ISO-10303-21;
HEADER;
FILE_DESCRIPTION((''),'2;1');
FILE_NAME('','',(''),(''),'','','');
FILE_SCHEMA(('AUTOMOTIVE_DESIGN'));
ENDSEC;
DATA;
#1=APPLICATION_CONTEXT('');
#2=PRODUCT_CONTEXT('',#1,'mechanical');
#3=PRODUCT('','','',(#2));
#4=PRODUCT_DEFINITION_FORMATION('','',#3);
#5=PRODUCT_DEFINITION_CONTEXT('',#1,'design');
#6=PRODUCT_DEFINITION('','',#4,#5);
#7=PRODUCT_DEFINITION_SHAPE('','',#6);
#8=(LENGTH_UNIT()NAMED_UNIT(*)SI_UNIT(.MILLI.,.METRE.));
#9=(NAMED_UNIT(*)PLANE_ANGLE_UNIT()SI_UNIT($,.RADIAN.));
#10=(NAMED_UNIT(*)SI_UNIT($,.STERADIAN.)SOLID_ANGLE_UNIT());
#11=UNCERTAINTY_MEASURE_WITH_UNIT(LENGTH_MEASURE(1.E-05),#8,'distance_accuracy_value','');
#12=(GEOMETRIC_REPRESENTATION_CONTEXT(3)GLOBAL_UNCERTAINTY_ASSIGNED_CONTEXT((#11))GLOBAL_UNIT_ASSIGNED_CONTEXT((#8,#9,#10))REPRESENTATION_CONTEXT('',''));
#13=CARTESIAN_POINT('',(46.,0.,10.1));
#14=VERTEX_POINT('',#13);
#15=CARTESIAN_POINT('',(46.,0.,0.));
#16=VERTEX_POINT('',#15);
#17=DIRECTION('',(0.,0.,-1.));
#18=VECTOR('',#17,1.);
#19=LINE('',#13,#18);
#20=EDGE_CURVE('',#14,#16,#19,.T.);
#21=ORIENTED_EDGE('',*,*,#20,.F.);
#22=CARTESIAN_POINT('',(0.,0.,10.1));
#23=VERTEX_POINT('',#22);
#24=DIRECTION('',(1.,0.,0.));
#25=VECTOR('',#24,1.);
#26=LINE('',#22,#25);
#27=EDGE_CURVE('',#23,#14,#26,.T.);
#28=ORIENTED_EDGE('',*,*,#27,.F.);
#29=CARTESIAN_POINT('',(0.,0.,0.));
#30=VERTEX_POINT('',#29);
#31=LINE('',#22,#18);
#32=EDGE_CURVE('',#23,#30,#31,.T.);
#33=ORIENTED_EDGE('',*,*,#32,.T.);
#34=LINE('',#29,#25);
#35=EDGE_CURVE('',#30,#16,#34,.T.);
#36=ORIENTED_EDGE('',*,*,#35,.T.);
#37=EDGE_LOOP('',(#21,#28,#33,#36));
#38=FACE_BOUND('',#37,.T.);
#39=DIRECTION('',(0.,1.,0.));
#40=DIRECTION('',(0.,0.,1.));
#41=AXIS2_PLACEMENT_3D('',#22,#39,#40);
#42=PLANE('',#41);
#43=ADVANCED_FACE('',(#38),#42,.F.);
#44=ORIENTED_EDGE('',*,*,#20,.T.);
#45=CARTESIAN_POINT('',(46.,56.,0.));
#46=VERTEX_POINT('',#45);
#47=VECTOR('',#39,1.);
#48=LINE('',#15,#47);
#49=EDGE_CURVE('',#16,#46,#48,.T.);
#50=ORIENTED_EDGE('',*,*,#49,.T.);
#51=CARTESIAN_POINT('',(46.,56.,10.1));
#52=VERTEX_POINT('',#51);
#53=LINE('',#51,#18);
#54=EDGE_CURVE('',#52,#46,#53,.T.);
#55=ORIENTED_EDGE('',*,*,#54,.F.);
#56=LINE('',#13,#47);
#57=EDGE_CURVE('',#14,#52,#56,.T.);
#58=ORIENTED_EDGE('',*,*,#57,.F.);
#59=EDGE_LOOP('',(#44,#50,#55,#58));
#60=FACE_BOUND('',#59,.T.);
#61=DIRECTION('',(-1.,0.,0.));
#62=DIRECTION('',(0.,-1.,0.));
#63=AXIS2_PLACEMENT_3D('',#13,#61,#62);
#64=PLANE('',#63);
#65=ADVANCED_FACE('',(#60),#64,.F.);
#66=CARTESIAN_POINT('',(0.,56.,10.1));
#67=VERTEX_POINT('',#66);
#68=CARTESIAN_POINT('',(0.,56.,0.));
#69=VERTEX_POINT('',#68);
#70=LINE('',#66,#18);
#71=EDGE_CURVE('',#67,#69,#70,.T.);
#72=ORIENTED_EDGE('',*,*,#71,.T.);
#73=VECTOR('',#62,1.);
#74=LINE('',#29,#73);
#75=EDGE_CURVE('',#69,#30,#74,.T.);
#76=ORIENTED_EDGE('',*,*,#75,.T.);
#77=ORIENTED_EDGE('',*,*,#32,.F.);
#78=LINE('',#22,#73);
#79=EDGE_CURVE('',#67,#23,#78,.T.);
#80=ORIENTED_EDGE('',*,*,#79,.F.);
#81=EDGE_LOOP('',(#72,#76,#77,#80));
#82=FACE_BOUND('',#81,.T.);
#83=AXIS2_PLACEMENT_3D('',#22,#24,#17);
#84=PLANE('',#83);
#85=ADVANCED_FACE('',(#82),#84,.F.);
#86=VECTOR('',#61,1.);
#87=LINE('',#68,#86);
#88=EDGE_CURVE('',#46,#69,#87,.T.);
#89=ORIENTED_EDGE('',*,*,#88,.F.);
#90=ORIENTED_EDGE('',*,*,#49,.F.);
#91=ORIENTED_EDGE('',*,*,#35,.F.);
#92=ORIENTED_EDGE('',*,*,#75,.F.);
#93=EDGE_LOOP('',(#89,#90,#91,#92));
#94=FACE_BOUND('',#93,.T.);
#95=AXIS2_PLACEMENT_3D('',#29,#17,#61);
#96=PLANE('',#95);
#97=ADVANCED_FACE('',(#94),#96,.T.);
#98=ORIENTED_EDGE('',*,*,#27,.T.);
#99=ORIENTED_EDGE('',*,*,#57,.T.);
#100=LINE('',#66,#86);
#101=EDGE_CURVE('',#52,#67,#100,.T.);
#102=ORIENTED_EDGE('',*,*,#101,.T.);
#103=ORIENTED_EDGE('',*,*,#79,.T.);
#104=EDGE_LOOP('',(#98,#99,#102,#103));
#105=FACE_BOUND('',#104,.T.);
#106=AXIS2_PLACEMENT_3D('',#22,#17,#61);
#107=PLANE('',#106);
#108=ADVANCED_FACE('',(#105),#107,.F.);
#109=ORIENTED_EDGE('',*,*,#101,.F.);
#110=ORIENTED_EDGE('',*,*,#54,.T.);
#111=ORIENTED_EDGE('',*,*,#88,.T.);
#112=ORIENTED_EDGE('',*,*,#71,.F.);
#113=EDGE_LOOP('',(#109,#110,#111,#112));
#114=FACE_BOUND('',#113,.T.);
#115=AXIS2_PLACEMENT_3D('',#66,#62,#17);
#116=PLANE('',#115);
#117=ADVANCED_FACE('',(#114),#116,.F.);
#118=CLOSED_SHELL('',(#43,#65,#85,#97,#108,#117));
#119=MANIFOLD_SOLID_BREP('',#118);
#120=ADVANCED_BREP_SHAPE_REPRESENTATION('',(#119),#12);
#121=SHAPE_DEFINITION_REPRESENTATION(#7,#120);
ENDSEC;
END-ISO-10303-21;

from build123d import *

# Parameters (mm, degrees)
SCHIZZO1_W                   = 46
SCHIZZO1_H                   = 56
ESTRUSIONE_ESTRUSIONE1_DEPTH = 10.1


with BuildPart() as part:
    # Schizzo1 → Estrusione-Estrusione1 (new body)
    with BuildSketch(Plane.XY):
        with Locations((23, 28)):
            Rectangle(SCHIZZO1_W, SCHIZZO1_H)
    extrude(amount=ESTRUSIONE_ESTRUSIONE1_DEPTH)


solid = part.part
